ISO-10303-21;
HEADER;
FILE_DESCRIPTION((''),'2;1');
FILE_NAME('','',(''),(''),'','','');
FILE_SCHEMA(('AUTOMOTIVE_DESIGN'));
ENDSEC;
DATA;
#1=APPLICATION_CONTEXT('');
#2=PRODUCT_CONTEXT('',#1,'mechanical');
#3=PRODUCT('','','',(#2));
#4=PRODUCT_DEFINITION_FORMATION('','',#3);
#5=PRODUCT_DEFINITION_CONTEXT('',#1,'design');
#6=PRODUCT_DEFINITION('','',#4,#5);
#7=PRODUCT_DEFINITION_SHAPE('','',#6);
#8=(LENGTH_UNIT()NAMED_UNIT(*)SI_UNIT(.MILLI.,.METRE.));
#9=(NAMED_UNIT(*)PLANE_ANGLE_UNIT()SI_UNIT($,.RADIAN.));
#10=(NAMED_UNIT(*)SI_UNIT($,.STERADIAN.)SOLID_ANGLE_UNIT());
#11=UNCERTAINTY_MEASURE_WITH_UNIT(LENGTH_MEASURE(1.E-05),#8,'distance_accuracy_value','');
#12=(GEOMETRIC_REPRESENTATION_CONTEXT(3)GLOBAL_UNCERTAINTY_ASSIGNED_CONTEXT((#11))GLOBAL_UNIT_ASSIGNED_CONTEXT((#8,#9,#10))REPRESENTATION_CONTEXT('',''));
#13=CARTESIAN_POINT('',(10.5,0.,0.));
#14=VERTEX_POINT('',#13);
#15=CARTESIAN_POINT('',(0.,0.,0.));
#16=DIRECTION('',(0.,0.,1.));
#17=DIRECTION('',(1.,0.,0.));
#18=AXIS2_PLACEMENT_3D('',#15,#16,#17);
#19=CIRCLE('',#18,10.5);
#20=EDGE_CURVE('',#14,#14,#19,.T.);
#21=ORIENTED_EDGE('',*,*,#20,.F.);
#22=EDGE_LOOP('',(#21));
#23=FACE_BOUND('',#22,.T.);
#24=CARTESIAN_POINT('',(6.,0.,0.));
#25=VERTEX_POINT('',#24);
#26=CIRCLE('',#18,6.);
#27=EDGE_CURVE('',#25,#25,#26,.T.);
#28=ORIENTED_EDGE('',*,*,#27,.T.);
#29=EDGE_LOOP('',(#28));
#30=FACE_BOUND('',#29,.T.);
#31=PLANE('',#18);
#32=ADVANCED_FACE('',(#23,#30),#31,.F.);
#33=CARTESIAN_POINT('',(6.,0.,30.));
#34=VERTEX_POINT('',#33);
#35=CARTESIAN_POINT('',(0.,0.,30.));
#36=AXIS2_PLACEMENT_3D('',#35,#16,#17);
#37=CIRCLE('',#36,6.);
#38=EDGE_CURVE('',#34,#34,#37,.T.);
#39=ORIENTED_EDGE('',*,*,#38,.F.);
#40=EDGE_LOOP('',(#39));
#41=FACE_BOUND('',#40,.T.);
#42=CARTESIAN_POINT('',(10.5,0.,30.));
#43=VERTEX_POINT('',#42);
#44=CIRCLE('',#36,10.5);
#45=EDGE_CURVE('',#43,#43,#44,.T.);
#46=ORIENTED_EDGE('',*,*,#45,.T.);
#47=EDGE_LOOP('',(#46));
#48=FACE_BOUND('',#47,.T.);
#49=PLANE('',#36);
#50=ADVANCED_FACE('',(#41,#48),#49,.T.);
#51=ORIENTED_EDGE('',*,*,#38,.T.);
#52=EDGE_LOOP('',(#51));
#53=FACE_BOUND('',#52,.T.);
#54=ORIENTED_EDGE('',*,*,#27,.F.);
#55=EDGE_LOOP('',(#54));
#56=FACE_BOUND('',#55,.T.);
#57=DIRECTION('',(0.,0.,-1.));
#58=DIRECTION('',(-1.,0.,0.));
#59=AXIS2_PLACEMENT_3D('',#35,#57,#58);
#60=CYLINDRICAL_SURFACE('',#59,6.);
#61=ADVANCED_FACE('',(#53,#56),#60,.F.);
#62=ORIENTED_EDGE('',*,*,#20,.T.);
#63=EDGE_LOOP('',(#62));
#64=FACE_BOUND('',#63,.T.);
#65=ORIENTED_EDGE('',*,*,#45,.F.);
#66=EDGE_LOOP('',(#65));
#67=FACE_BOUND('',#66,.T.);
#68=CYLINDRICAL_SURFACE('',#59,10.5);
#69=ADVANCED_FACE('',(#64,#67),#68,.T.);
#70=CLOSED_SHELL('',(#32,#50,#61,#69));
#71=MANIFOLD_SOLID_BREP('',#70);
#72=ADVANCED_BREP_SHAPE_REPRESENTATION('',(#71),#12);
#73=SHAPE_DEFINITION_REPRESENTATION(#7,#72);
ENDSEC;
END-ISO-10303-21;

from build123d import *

# Parameters (mm, degrees)
SKETCH1_R           = 10.5
SKETCH1_R_2         = 6
BOSS_EXTRUDE1_DEPTH = 30


with BuildPart() as part:
    # Sketch1 → Boss-Extrude1 (new body)
    with BuildSketch(Plane.XY):
        Circle(SKETCH1_R)
        Circle(SKETCH1_R_2, mode=Mode.SUBTRACT)
    extrude(amount=BOSS_EXTRUDE1_DEPTH)


solid = part.part
